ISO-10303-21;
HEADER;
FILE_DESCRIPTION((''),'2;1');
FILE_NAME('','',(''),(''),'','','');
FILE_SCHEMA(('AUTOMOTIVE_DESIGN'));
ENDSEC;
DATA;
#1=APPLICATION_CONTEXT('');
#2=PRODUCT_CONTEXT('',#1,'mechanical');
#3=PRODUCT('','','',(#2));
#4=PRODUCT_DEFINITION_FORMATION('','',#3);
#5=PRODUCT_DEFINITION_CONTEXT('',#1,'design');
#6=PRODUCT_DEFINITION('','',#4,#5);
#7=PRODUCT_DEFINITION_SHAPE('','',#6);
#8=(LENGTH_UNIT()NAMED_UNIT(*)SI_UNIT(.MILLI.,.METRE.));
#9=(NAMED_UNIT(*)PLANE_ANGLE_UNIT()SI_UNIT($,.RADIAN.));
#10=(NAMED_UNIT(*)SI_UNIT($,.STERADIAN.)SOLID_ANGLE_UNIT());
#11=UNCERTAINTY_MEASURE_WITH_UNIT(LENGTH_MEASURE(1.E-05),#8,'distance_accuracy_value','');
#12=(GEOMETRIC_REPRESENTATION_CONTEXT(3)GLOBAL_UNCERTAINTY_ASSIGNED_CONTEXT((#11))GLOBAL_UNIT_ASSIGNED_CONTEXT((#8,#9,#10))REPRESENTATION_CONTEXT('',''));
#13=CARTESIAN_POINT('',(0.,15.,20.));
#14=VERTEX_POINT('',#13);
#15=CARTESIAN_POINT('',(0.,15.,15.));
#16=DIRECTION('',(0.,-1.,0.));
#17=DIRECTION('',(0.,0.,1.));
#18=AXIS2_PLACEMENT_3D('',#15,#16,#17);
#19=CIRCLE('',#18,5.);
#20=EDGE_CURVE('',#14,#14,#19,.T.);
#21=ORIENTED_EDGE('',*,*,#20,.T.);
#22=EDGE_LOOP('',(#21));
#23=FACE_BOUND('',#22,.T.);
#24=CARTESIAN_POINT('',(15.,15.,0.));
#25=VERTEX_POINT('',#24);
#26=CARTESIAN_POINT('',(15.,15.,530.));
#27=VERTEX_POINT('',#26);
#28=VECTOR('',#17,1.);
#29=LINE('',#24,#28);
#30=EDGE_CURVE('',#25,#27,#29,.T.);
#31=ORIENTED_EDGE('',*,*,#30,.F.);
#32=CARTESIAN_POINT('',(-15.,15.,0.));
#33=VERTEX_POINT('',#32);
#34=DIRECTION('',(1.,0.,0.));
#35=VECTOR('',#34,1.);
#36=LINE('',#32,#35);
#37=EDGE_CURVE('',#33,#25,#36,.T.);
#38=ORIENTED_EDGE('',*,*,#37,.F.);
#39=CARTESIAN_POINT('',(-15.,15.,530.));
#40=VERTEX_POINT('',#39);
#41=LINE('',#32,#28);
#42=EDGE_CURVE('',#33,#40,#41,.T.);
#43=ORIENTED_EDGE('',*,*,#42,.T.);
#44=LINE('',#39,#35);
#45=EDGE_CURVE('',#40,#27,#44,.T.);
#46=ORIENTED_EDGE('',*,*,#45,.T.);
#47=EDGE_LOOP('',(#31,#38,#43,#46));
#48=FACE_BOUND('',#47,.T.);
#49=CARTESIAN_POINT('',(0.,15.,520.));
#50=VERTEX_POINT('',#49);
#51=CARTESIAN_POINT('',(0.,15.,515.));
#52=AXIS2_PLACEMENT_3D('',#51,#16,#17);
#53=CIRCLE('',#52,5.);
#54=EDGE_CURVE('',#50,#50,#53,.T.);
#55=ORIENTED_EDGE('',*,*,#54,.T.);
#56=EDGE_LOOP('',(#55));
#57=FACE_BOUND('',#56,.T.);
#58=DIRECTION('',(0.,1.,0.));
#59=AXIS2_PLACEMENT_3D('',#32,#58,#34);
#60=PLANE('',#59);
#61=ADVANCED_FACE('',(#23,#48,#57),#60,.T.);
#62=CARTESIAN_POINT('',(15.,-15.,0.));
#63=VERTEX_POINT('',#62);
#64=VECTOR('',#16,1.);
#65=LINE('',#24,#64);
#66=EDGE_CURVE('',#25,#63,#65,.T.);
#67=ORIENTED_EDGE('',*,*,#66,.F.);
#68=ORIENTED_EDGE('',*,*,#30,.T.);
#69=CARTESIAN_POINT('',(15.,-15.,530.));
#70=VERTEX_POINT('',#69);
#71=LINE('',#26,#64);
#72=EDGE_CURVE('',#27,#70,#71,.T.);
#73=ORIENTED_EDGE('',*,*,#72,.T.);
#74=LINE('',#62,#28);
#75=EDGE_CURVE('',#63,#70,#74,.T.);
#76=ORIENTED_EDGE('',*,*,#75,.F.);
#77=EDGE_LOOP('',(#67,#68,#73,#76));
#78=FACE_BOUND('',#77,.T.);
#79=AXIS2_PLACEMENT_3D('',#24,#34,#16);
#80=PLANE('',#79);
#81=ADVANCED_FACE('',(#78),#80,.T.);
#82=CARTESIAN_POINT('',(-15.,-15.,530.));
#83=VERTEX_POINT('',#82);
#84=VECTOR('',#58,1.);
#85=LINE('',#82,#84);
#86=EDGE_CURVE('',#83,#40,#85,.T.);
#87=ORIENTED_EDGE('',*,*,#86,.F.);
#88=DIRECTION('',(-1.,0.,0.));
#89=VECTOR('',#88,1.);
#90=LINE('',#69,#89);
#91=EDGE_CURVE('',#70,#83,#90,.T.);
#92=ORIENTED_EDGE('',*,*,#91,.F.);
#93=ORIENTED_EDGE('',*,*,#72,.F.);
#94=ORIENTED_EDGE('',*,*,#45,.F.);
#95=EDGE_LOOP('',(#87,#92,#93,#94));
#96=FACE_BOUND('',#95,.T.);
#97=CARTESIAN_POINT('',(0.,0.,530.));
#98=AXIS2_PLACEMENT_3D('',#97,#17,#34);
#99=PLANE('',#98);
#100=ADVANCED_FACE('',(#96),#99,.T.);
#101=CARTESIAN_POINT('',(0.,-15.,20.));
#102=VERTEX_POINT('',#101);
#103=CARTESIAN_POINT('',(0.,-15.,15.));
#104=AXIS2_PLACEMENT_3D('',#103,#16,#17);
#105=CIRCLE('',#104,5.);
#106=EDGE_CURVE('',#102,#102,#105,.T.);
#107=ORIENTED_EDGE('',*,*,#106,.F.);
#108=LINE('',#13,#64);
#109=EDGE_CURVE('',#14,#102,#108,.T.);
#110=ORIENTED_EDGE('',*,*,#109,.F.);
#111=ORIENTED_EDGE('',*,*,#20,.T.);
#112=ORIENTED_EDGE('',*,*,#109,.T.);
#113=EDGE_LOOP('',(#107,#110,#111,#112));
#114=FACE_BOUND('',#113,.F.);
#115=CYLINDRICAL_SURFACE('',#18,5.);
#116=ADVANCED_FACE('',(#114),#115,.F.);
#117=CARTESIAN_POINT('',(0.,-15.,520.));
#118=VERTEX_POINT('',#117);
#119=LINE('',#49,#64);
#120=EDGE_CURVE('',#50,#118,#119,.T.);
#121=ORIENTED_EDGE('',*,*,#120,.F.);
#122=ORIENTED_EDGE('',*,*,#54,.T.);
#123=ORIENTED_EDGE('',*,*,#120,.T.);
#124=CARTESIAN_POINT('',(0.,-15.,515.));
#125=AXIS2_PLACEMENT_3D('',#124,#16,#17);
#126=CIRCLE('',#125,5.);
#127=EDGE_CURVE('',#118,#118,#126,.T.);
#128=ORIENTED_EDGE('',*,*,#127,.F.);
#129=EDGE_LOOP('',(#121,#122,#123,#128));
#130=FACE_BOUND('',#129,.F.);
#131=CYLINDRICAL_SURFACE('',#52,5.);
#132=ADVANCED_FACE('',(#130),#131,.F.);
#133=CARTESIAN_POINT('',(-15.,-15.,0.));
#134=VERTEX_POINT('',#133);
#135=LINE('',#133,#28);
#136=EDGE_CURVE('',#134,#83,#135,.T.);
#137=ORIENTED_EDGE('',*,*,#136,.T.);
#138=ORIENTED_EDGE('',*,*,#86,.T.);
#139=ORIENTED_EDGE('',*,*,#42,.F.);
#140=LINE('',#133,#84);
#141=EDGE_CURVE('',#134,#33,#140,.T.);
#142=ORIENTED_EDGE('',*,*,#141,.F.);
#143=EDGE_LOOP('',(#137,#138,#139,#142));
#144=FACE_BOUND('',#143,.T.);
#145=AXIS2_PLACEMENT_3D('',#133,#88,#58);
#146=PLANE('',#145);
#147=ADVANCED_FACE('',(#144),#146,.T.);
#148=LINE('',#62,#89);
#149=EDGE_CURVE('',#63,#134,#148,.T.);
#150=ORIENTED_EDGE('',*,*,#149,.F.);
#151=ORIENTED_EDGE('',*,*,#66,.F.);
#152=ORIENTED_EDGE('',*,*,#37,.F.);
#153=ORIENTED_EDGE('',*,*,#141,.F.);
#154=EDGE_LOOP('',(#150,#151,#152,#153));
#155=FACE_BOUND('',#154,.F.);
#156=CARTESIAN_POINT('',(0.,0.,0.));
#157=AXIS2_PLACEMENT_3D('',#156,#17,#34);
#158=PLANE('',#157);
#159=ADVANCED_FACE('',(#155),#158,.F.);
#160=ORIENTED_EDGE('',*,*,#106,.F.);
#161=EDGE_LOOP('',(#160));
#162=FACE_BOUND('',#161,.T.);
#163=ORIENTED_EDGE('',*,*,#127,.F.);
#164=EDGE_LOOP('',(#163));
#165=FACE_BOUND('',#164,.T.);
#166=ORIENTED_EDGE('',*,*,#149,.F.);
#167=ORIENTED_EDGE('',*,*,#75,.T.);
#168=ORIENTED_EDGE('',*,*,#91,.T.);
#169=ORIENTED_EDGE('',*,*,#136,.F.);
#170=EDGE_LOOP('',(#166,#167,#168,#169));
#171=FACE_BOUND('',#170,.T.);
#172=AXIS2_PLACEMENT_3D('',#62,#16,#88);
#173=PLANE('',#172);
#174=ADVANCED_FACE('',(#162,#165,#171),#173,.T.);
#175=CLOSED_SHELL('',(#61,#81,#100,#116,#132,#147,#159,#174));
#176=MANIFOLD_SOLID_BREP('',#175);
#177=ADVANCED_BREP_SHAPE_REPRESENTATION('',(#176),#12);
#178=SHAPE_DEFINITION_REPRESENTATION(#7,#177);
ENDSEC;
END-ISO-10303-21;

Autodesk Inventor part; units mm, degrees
ref_plane "YZ Plane" through (0, 0, 0) normal (1, 0, 0) x (0, 1, 0)
ref_plane "XZ Plane" through (0, 0, 0) normal (0, 1, 0) x (-1, 0, 0)
ref_plane "XY Plane" through (0, 0, 0) normal (0, 0, 1) x (1, 0, 0)
sketch "スケッチ4" plane through (0, 0, 0) normal (0, 0, 1) x (1, 0, 0)
  line L0 (-15, 15) -> (15, 15)
  line L1 (15, 15) -> (15, -15)
  line L2 (15, -15) -> (-15, -15)
  line L3 (-15, -15) -> (-15, 15)
  line L4 (-15, 15) -> (15, -15) construction
  line L5 (15, 15) -> (-15, -15) construction
  point P0 (0, 0)
  dimension "d14" = 30
  dimension "d15" = 30
extrude "押し出し2" add sketch "スケッチ4" along normal blind 530
sketch "スケッチ5" plane through (-15, 15, 0) normal (0, 1, 0) x (1, 0, 0)
  line L0 (30, -530) -> (0, -530) projected
  line L1 (0, 0) -> (30, 0) projected
  point P0 (15, 0)
  point P1 (15, -515)
  point P2 (15, -15)
  dimension "d18" = 15
  dimension "d19" = 15
hole "穴2" at (0, 15, 515) at (0, 15, 15) direction (0, -1, 0) diameter 10 end through all
